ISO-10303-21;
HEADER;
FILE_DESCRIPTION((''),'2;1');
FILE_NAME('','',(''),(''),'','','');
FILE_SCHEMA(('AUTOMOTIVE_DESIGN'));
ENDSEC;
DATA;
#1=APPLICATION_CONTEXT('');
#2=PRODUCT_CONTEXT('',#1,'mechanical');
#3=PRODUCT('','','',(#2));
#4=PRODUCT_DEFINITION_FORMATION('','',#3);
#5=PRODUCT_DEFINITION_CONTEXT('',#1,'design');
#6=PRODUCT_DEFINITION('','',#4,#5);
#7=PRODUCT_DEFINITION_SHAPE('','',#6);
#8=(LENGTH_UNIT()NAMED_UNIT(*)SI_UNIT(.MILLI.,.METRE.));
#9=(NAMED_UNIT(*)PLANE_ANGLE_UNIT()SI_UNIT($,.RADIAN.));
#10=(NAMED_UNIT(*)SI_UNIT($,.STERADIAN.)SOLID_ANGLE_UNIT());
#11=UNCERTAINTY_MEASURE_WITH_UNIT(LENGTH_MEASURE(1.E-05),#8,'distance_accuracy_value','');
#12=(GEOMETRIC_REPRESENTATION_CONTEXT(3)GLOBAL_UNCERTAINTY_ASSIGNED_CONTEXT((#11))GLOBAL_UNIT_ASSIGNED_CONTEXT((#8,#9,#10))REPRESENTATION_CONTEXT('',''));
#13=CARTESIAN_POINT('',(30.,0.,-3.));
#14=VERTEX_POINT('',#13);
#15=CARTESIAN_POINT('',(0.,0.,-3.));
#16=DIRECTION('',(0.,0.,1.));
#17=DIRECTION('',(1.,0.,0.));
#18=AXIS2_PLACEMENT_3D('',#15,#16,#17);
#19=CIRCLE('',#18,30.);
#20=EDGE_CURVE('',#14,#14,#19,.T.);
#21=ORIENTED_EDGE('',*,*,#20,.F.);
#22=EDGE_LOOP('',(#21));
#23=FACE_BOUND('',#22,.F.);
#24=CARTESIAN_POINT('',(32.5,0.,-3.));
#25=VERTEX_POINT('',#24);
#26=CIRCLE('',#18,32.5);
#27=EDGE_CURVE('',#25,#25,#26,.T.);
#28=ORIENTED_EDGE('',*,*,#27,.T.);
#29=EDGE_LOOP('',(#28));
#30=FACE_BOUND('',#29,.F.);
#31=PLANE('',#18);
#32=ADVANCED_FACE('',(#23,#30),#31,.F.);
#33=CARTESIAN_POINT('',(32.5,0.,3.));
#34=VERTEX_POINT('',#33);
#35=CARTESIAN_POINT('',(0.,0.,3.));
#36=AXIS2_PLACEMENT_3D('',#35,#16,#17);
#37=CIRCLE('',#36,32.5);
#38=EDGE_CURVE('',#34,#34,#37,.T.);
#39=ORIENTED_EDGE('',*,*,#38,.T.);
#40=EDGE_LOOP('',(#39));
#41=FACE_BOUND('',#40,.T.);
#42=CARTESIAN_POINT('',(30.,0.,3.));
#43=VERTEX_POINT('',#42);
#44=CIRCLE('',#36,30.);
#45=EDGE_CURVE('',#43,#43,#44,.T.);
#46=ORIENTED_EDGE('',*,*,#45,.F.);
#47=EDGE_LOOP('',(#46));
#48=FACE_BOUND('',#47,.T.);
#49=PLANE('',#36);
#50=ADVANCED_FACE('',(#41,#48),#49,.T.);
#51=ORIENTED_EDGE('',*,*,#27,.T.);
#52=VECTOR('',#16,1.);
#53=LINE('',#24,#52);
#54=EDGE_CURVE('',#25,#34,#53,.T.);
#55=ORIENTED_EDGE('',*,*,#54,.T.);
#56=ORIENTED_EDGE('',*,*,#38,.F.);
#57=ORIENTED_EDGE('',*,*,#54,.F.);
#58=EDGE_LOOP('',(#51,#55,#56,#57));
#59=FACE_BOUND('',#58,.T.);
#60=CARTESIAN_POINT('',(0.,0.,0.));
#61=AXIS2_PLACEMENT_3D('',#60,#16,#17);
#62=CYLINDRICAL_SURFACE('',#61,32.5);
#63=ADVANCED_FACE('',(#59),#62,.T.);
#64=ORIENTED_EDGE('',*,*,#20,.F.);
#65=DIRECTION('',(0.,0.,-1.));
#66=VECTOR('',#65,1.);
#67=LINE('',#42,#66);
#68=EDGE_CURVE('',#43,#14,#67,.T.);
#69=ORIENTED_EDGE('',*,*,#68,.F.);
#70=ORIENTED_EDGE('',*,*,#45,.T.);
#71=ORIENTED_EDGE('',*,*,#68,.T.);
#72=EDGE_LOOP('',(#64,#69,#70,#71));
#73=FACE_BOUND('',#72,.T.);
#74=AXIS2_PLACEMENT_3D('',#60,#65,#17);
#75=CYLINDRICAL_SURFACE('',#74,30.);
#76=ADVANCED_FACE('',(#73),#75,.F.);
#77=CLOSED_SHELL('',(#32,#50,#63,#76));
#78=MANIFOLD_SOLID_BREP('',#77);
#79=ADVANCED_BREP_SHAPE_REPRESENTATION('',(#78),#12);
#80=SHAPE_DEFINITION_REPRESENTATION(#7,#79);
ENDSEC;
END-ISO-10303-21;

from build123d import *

# Parameters (mm, degrees)
SKETCH1_R           = 32.5
SKETCH1_R_2         = 30
BOSS_EXTRUDE1_DEPTH = 3


with BuildPart() as part:
    # Sketch1 → Boss-Extrude1 (new body, symmetric)
    with BuildSketch(Plane.XY):
        Circle(SKETCH1_R)
        Circle(SKETCH1_R_2, mode=Mode.SUBTRACT)
    extrude(amount=BOSS_EXTRUDE1_DEPTH, both=True)


solid = part.part
